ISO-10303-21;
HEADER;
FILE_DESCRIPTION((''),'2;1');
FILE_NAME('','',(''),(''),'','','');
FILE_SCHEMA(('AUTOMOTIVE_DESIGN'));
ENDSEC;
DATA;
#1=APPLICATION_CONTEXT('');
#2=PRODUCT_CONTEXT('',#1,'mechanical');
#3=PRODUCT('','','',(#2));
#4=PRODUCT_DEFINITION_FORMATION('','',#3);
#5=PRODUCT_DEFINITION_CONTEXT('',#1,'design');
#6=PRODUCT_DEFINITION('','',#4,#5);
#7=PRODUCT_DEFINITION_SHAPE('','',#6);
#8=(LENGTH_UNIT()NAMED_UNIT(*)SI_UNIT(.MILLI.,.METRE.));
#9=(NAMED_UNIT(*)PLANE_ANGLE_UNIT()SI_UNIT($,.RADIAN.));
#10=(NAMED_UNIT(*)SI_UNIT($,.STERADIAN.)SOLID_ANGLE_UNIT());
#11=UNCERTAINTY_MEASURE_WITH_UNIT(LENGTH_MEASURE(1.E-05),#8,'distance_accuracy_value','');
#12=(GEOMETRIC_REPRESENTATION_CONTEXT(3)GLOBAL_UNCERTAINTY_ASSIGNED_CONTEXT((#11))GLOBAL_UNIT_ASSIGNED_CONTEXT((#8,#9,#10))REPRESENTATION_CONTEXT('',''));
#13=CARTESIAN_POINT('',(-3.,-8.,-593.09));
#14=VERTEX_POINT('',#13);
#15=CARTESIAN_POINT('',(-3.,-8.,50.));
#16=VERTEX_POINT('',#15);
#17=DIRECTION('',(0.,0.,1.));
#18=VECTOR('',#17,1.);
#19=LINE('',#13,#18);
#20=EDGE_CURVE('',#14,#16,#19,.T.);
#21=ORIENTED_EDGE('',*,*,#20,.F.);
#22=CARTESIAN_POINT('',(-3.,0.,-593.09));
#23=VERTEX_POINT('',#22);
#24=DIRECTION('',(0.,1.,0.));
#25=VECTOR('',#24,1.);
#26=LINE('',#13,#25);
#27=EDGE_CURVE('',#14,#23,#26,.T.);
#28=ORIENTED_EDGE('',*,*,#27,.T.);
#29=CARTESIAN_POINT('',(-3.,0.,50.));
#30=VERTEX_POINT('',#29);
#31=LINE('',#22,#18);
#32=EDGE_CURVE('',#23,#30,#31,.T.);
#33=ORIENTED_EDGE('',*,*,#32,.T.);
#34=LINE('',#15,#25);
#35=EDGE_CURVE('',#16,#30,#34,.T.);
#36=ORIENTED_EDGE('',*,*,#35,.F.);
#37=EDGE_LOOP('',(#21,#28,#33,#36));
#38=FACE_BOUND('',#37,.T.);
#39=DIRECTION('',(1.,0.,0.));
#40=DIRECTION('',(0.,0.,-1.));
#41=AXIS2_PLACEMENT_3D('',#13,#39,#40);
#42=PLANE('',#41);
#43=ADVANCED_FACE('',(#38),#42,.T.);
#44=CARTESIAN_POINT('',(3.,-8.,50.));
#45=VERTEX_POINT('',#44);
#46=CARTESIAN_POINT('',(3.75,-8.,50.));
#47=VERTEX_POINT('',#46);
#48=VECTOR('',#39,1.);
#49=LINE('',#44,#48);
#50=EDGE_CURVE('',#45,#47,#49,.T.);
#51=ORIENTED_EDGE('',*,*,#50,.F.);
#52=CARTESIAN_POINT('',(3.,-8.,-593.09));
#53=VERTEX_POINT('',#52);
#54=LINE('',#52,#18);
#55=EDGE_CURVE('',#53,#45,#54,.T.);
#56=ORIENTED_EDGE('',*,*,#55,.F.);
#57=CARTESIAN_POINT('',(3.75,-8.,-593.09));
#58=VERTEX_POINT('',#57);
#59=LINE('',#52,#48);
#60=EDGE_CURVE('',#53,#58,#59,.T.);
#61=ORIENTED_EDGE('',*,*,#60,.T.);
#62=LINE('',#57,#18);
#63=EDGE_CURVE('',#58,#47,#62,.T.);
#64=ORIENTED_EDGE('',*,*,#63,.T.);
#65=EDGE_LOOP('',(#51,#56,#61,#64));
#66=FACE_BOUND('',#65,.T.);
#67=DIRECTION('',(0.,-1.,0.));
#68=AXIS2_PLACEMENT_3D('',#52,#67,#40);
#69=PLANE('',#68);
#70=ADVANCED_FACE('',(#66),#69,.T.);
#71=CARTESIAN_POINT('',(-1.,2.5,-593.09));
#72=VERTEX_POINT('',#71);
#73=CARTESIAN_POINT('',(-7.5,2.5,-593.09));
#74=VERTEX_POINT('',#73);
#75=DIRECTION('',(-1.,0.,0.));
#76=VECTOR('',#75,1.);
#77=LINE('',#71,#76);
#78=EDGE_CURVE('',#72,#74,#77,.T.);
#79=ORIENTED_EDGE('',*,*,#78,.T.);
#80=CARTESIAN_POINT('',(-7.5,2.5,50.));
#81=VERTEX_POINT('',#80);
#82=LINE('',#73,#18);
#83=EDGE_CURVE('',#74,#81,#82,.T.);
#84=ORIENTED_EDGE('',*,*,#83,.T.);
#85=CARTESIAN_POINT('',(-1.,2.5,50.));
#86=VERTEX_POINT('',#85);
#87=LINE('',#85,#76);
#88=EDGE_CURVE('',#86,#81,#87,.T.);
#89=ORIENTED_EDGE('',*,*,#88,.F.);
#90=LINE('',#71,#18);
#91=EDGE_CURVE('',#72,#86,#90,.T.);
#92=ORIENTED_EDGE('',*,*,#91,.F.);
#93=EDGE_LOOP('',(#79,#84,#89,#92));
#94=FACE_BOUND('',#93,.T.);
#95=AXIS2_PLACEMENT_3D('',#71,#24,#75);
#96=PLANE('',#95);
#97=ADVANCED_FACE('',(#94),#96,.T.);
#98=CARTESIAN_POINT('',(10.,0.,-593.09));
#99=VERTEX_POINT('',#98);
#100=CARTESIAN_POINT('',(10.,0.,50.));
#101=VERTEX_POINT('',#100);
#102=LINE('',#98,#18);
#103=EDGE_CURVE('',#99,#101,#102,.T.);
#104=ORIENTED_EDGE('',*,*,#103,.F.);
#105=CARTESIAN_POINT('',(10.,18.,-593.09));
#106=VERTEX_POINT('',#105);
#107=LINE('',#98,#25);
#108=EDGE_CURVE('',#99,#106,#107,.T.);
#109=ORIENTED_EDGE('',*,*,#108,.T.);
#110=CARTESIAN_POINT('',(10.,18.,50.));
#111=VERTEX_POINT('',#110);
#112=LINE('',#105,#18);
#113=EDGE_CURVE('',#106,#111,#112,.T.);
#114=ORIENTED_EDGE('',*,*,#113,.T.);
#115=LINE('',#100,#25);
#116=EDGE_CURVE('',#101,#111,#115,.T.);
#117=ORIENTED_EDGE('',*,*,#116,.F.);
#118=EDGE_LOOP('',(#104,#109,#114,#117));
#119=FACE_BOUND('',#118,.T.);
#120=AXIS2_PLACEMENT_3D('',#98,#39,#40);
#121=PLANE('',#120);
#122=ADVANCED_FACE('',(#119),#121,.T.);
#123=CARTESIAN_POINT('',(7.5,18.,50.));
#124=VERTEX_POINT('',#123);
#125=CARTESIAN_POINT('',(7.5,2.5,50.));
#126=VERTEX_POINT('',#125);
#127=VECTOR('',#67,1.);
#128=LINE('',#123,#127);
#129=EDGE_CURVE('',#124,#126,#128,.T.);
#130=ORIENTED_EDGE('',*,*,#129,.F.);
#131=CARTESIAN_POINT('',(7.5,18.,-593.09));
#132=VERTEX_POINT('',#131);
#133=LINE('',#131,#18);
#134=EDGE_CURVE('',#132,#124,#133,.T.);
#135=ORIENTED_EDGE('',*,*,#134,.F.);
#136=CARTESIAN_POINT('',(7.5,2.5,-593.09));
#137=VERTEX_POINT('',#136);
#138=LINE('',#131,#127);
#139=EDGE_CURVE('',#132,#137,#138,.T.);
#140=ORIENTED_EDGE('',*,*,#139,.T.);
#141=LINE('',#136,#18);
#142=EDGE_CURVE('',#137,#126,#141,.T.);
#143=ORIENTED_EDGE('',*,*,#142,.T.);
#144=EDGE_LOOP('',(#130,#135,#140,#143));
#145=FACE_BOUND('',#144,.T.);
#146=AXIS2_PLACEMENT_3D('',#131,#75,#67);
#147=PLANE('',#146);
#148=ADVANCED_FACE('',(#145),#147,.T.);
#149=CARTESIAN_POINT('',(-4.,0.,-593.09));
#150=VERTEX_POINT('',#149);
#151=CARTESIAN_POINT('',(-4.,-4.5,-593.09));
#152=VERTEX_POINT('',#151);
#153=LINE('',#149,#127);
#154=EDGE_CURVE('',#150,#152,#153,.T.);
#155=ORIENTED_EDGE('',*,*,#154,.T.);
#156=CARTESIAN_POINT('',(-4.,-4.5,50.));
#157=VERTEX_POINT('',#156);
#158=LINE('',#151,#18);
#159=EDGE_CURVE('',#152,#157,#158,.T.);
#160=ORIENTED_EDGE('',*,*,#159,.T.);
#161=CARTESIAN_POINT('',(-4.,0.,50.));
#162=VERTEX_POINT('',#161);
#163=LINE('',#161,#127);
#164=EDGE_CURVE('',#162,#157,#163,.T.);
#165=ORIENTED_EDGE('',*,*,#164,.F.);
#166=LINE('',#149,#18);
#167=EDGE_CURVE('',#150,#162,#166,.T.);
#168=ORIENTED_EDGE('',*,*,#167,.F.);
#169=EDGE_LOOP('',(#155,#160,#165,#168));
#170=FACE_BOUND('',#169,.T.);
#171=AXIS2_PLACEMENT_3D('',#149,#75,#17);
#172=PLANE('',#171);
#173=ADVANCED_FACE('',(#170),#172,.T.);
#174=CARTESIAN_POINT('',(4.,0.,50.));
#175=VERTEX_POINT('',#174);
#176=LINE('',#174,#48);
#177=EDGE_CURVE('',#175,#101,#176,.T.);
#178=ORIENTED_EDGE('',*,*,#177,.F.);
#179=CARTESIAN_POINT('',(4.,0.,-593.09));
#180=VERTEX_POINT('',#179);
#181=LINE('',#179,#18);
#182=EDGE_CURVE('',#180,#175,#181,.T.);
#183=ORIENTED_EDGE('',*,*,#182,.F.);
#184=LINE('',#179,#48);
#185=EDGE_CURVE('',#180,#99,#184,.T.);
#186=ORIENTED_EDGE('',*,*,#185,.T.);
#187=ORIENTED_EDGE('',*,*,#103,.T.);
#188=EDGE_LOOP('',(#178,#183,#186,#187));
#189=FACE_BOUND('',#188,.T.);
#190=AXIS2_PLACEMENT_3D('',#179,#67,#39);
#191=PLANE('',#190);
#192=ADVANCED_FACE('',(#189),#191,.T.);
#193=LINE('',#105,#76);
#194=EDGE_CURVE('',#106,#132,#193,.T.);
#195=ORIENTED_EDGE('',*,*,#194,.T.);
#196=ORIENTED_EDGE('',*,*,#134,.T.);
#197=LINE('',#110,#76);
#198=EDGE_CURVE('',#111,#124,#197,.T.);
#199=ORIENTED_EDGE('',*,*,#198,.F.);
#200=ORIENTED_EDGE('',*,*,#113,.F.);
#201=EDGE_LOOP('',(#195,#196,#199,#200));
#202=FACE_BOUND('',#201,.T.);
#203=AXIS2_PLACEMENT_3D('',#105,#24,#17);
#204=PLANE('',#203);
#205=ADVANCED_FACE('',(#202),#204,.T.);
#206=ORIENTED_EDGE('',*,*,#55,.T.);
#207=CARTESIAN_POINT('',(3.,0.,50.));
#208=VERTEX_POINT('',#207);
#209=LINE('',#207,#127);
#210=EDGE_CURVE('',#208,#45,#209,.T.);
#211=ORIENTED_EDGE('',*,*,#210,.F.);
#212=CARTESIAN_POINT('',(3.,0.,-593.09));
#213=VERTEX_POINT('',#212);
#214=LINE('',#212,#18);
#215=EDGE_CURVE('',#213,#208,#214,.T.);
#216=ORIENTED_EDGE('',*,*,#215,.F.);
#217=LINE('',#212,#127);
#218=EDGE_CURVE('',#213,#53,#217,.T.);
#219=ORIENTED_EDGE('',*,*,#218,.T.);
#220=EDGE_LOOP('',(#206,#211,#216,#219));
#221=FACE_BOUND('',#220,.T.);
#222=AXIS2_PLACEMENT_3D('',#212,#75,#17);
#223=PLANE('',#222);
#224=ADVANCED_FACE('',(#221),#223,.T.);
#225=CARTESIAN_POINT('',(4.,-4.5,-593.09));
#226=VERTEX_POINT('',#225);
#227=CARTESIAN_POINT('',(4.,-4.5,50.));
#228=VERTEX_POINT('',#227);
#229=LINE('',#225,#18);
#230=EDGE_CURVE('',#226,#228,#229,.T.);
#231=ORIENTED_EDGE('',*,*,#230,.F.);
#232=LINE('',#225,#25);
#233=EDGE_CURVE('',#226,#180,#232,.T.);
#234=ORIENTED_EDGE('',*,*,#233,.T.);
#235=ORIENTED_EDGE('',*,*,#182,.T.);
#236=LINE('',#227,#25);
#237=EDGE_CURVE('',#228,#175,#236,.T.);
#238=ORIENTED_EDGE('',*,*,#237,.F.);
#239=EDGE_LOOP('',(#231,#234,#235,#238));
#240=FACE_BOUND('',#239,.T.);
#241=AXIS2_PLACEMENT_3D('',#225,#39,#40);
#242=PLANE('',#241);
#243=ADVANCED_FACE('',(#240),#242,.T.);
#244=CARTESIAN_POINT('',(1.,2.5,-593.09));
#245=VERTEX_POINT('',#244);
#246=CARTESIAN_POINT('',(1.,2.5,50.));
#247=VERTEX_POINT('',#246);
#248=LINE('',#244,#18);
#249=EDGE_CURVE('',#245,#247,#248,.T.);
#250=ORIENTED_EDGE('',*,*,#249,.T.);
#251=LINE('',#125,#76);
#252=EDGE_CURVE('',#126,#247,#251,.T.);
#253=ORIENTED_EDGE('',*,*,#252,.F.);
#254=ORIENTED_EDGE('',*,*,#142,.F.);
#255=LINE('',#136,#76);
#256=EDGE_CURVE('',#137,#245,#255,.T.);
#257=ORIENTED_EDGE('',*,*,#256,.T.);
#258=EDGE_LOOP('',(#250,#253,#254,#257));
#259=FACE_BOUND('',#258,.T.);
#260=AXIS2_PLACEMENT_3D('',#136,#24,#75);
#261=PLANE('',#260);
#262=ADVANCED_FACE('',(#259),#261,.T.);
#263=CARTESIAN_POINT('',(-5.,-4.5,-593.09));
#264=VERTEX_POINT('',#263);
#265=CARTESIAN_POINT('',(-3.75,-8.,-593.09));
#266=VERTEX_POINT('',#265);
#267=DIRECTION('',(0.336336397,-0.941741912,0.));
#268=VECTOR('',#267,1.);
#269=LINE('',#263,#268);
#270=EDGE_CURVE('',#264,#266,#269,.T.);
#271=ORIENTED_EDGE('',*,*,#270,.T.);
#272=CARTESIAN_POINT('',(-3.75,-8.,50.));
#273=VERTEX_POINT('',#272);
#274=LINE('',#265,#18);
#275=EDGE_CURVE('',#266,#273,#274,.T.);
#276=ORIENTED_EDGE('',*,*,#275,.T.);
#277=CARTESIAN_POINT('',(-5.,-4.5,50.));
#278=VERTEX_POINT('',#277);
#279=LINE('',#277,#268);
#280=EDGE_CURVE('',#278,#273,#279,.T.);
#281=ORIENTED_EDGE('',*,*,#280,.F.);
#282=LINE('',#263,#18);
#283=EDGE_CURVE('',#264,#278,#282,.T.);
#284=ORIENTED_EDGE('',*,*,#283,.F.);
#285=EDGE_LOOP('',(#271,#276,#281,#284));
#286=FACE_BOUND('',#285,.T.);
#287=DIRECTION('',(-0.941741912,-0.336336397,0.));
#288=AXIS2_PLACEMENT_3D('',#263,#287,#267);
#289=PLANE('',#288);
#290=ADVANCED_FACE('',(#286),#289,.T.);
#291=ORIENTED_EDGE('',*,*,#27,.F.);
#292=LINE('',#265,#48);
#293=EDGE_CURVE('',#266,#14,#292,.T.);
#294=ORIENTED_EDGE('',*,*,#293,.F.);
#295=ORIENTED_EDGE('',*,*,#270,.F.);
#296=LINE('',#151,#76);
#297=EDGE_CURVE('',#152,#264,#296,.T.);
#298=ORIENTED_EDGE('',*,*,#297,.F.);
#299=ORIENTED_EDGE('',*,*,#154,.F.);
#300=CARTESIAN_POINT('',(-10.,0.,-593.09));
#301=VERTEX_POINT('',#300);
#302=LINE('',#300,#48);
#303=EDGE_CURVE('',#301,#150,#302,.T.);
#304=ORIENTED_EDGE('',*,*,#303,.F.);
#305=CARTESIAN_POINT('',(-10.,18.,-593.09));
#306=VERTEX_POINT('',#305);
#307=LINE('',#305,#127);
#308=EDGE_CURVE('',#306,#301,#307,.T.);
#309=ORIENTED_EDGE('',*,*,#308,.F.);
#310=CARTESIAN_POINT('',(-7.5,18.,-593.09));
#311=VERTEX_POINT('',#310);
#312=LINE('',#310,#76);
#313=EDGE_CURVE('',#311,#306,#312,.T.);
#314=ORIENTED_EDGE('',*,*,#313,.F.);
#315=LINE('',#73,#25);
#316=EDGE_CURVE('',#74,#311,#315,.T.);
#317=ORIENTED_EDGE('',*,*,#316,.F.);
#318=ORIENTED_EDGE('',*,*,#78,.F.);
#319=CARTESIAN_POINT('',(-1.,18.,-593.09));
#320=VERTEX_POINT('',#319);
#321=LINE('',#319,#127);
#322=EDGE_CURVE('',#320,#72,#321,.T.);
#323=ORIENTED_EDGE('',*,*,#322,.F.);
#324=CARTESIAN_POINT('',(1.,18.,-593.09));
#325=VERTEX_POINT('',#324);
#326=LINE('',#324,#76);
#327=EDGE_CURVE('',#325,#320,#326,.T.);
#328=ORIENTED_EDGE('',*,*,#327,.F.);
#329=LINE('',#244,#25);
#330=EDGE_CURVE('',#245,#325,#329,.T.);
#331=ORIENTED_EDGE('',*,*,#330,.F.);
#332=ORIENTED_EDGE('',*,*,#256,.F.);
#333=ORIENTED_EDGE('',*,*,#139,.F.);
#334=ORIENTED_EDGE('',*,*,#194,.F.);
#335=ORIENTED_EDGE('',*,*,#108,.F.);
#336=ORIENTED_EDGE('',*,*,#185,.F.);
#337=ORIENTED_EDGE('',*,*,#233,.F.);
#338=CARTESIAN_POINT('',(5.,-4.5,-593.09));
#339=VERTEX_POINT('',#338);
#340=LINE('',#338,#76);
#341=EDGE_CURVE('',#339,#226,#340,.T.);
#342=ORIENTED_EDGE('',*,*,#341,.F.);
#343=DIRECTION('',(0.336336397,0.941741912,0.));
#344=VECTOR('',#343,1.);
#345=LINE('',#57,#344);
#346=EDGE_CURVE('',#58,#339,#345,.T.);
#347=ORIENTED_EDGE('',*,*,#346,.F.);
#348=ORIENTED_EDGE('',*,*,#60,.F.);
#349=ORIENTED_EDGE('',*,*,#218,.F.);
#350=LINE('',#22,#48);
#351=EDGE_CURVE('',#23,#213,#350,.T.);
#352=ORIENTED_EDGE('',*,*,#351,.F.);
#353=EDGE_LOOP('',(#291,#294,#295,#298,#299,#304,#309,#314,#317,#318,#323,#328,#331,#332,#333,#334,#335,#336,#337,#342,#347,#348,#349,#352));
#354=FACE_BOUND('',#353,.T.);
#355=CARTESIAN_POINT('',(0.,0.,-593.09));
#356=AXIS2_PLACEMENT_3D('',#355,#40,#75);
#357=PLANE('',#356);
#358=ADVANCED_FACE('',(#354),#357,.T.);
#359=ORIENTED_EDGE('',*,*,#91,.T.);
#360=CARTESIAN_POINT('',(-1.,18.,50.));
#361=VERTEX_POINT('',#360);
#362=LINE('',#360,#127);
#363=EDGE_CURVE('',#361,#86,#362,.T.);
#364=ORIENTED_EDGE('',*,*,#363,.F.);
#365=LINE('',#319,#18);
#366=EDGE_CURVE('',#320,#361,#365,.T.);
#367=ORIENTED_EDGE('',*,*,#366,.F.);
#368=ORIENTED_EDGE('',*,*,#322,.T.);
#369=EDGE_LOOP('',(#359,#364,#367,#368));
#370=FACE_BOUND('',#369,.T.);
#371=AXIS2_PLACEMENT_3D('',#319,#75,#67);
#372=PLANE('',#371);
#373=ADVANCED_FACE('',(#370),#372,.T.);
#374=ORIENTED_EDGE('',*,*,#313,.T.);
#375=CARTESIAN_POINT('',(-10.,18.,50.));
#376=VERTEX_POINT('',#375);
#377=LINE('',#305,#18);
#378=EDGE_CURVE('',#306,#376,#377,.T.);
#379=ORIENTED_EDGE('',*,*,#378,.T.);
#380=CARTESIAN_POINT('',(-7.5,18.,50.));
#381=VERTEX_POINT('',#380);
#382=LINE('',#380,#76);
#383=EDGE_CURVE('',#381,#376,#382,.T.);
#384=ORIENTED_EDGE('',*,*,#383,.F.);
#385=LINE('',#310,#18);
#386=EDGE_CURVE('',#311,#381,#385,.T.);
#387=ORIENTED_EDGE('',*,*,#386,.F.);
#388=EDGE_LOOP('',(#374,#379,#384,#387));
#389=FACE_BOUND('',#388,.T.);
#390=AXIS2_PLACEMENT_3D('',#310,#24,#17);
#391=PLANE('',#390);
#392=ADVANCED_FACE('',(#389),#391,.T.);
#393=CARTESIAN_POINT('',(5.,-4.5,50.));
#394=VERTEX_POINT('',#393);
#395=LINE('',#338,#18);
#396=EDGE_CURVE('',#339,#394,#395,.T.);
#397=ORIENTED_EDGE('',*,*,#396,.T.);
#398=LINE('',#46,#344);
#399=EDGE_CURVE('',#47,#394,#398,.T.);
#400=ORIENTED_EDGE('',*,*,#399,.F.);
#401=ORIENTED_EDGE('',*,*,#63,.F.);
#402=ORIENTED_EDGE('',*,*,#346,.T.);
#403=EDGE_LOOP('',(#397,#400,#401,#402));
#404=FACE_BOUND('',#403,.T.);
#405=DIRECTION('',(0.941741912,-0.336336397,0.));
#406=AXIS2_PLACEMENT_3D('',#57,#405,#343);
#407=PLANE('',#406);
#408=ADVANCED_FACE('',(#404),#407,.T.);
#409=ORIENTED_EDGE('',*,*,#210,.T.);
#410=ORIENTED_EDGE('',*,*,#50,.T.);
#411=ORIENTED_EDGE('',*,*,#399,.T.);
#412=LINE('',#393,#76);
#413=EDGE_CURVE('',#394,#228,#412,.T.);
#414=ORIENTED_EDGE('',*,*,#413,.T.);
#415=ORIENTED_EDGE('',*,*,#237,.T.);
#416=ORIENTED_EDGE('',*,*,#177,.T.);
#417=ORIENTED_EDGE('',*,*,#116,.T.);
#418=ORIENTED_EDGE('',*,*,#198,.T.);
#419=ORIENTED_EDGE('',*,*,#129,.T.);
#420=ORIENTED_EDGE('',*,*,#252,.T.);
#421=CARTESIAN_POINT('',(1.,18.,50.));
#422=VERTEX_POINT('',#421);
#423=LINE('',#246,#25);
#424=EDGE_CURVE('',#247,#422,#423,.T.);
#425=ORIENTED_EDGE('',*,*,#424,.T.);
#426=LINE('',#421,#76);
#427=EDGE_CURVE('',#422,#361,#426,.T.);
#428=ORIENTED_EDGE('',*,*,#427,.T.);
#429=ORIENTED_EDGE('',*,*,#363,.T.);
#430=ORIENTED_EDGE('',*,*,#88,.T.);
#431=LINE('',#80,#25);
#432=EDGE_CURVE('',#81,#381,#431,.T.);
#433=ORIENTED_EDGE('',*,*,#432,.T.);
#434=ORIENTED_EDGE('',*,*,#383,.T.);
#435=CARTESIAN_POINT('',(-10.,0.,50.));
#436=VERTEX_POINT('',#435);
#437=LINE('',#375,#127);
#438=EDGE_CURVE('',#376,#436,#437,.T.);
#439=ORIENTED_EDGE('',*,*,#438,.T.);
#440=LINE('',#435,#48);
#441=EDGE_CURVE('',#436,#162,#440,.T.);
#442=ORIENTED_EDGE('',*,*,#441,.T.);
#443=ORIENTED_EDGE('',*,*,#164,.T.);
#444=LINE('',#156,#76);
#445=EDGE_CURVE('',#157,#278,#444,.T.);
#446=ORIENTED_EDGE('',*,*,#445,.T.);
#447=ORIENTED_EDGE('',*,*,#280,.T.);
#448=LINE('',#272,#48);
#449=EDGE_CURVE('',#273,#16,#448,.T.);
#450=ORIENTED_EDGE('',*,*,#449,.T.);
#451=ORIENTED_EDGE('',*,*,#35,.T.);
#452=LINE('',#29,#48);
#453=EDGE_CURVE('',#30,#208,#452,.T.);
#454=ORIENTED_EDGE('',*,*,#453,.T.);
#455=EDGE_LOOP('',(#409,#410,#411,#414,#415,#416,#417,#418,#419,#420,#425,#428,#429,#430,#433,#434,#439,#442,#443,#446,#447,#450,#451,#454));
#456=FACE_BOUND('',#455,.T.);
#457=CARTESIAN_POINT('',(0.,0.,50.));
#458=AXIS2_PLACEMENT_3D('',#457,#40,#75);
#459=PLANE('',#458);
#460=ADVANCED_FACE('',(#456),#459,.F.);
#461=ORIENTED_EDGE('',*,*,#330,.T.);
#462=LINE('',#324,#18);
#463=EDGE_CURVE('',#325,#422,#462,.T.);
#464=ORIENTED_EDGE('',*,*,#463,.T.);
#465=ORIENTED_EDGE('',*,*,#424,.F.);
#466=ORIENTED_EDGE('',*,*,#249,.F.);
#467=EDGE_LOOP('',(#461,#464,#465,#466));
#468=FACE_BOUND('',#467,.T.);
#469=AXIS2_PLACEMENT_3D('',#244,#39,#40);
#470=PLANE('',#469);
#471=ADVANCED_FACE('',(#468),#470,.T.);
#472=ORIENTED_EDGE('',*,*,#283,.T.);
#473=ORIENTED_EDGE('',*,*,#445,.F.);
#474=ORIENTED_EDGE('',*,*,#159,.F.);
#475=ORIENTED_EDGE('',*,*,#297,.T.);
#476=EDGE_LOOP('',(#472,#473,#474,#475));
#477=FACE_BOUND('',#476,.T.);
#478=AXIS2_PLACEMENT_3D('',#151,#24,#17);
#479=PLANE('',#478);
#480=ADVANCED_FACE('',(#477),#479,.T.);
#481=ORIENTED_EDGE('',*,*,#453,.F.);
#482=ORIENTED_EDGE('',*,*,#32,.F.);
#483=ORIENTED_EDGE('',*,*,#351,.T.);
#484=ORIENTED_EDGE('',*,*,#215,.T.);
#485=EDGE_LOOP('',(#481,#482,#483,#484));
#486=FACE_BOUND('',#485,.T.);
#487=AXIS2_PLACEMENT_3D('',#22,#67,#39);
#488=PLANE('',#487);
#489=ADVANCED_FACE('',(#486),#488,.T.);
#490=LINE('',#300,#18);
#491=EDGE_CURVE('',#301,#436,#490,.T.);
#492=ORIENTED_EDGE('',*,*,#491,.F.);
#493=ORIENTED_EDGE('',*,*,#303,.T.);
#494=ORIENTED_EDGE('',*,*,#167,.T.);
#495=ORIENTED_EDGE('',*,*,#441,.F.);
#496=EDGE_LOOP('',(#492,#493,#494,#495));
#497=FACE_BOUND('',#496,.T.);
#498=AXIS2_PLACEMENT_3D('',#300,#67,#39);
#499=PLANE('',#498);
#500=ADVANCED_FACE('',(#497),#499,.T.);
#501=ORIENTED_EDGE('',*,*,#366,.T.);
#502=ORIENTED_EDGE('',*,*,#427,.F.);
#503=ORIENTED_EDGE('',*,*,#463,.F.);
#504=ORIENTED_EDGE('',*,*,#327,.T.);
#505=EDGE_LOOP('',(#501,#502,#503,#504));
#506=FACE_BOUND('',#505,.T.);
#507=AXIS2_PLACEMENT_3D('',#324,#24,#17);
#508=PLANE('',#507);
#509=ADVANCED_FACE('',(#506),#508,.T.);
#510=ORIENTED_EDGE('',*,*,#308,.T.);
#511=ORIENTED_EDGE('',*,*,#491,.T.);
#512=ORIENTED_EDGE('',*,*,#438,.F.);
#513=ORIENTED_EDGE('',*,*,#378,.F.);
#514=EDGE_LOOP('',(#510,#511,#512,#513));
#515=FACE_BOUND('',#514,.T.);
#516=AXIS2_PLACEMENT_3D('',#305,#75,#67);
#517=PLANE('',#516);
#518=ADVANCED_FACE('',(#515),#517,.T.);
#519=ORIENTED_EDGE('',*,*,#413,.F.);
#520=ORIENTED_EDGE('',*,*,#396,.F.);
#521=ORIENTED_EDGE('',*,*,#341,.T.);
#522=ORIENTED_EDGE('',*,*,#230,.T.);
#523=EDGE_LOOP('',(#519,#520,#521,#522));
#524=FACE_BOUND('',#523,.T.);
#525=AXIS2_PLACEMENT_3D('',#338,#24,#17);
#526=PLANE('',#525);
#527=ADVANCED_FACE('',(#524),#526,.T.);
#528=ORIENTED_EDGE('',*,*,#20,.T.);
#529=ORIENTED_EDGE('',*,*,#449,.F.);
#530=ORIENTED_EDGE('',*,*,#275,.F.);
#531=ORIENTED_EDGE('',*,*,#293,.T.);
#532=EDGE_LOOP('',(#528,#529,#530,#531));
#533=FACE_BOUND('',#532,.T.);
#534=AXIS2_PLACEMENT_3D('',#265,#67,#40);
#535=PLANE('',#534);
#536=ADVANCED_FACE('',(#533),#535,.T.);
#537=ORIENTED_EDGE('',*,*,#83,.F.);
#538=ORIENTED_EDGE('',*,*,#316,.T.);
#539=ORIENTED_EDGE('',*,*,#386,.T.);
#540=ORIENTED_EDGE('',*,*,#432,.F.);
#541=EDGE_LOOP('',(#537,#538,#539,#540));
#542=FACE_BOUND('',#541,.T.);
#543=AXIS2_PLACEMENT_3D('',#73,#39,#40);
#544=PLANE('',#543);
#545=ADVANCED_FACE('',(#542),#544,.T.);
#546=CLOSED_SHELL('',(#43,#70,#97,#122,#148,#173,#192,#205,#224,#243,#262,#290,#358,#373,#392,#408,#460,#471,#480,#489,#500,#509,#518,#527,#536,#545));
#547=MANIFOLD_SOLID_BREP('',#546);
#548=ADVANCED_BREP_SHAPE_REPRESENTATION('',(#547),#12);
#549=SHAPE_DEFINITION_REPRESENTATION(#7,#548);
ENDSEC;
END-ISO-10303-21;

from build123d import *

# Parameters (mm, degrees)
BOSS_EXTRU_1_DEPTH = 643.09


with BuildPart() as part:
    # Esquisse1 → Boss.-Extru.1 (new body)
    with BuildSketch(Plane.XY.offset(50)):
        Polygon((-1, 2.5), (-7.5, 2.5), (-7.5, 17.999999998), (-10, 17.999999998), (-10, 0), (-4, 0), (-4, -4.5), (-5, -4.5), (-3.75, -8), (-3, -8), (-3, 0), (3, 0), (3, -8), (3.75, -8), (5, -4.5), (4, -4.5), (4, 0), (10, 0), (10, 17.999999998), (7.5, 17.999999998), (7.5, 2.5), (1, 2.5), (1, 17.999999998), (-1, 17.999999998), align=None)
    extrude(amount=-BOSS_EXTRU_1_DEPTH)


solid = part.part
